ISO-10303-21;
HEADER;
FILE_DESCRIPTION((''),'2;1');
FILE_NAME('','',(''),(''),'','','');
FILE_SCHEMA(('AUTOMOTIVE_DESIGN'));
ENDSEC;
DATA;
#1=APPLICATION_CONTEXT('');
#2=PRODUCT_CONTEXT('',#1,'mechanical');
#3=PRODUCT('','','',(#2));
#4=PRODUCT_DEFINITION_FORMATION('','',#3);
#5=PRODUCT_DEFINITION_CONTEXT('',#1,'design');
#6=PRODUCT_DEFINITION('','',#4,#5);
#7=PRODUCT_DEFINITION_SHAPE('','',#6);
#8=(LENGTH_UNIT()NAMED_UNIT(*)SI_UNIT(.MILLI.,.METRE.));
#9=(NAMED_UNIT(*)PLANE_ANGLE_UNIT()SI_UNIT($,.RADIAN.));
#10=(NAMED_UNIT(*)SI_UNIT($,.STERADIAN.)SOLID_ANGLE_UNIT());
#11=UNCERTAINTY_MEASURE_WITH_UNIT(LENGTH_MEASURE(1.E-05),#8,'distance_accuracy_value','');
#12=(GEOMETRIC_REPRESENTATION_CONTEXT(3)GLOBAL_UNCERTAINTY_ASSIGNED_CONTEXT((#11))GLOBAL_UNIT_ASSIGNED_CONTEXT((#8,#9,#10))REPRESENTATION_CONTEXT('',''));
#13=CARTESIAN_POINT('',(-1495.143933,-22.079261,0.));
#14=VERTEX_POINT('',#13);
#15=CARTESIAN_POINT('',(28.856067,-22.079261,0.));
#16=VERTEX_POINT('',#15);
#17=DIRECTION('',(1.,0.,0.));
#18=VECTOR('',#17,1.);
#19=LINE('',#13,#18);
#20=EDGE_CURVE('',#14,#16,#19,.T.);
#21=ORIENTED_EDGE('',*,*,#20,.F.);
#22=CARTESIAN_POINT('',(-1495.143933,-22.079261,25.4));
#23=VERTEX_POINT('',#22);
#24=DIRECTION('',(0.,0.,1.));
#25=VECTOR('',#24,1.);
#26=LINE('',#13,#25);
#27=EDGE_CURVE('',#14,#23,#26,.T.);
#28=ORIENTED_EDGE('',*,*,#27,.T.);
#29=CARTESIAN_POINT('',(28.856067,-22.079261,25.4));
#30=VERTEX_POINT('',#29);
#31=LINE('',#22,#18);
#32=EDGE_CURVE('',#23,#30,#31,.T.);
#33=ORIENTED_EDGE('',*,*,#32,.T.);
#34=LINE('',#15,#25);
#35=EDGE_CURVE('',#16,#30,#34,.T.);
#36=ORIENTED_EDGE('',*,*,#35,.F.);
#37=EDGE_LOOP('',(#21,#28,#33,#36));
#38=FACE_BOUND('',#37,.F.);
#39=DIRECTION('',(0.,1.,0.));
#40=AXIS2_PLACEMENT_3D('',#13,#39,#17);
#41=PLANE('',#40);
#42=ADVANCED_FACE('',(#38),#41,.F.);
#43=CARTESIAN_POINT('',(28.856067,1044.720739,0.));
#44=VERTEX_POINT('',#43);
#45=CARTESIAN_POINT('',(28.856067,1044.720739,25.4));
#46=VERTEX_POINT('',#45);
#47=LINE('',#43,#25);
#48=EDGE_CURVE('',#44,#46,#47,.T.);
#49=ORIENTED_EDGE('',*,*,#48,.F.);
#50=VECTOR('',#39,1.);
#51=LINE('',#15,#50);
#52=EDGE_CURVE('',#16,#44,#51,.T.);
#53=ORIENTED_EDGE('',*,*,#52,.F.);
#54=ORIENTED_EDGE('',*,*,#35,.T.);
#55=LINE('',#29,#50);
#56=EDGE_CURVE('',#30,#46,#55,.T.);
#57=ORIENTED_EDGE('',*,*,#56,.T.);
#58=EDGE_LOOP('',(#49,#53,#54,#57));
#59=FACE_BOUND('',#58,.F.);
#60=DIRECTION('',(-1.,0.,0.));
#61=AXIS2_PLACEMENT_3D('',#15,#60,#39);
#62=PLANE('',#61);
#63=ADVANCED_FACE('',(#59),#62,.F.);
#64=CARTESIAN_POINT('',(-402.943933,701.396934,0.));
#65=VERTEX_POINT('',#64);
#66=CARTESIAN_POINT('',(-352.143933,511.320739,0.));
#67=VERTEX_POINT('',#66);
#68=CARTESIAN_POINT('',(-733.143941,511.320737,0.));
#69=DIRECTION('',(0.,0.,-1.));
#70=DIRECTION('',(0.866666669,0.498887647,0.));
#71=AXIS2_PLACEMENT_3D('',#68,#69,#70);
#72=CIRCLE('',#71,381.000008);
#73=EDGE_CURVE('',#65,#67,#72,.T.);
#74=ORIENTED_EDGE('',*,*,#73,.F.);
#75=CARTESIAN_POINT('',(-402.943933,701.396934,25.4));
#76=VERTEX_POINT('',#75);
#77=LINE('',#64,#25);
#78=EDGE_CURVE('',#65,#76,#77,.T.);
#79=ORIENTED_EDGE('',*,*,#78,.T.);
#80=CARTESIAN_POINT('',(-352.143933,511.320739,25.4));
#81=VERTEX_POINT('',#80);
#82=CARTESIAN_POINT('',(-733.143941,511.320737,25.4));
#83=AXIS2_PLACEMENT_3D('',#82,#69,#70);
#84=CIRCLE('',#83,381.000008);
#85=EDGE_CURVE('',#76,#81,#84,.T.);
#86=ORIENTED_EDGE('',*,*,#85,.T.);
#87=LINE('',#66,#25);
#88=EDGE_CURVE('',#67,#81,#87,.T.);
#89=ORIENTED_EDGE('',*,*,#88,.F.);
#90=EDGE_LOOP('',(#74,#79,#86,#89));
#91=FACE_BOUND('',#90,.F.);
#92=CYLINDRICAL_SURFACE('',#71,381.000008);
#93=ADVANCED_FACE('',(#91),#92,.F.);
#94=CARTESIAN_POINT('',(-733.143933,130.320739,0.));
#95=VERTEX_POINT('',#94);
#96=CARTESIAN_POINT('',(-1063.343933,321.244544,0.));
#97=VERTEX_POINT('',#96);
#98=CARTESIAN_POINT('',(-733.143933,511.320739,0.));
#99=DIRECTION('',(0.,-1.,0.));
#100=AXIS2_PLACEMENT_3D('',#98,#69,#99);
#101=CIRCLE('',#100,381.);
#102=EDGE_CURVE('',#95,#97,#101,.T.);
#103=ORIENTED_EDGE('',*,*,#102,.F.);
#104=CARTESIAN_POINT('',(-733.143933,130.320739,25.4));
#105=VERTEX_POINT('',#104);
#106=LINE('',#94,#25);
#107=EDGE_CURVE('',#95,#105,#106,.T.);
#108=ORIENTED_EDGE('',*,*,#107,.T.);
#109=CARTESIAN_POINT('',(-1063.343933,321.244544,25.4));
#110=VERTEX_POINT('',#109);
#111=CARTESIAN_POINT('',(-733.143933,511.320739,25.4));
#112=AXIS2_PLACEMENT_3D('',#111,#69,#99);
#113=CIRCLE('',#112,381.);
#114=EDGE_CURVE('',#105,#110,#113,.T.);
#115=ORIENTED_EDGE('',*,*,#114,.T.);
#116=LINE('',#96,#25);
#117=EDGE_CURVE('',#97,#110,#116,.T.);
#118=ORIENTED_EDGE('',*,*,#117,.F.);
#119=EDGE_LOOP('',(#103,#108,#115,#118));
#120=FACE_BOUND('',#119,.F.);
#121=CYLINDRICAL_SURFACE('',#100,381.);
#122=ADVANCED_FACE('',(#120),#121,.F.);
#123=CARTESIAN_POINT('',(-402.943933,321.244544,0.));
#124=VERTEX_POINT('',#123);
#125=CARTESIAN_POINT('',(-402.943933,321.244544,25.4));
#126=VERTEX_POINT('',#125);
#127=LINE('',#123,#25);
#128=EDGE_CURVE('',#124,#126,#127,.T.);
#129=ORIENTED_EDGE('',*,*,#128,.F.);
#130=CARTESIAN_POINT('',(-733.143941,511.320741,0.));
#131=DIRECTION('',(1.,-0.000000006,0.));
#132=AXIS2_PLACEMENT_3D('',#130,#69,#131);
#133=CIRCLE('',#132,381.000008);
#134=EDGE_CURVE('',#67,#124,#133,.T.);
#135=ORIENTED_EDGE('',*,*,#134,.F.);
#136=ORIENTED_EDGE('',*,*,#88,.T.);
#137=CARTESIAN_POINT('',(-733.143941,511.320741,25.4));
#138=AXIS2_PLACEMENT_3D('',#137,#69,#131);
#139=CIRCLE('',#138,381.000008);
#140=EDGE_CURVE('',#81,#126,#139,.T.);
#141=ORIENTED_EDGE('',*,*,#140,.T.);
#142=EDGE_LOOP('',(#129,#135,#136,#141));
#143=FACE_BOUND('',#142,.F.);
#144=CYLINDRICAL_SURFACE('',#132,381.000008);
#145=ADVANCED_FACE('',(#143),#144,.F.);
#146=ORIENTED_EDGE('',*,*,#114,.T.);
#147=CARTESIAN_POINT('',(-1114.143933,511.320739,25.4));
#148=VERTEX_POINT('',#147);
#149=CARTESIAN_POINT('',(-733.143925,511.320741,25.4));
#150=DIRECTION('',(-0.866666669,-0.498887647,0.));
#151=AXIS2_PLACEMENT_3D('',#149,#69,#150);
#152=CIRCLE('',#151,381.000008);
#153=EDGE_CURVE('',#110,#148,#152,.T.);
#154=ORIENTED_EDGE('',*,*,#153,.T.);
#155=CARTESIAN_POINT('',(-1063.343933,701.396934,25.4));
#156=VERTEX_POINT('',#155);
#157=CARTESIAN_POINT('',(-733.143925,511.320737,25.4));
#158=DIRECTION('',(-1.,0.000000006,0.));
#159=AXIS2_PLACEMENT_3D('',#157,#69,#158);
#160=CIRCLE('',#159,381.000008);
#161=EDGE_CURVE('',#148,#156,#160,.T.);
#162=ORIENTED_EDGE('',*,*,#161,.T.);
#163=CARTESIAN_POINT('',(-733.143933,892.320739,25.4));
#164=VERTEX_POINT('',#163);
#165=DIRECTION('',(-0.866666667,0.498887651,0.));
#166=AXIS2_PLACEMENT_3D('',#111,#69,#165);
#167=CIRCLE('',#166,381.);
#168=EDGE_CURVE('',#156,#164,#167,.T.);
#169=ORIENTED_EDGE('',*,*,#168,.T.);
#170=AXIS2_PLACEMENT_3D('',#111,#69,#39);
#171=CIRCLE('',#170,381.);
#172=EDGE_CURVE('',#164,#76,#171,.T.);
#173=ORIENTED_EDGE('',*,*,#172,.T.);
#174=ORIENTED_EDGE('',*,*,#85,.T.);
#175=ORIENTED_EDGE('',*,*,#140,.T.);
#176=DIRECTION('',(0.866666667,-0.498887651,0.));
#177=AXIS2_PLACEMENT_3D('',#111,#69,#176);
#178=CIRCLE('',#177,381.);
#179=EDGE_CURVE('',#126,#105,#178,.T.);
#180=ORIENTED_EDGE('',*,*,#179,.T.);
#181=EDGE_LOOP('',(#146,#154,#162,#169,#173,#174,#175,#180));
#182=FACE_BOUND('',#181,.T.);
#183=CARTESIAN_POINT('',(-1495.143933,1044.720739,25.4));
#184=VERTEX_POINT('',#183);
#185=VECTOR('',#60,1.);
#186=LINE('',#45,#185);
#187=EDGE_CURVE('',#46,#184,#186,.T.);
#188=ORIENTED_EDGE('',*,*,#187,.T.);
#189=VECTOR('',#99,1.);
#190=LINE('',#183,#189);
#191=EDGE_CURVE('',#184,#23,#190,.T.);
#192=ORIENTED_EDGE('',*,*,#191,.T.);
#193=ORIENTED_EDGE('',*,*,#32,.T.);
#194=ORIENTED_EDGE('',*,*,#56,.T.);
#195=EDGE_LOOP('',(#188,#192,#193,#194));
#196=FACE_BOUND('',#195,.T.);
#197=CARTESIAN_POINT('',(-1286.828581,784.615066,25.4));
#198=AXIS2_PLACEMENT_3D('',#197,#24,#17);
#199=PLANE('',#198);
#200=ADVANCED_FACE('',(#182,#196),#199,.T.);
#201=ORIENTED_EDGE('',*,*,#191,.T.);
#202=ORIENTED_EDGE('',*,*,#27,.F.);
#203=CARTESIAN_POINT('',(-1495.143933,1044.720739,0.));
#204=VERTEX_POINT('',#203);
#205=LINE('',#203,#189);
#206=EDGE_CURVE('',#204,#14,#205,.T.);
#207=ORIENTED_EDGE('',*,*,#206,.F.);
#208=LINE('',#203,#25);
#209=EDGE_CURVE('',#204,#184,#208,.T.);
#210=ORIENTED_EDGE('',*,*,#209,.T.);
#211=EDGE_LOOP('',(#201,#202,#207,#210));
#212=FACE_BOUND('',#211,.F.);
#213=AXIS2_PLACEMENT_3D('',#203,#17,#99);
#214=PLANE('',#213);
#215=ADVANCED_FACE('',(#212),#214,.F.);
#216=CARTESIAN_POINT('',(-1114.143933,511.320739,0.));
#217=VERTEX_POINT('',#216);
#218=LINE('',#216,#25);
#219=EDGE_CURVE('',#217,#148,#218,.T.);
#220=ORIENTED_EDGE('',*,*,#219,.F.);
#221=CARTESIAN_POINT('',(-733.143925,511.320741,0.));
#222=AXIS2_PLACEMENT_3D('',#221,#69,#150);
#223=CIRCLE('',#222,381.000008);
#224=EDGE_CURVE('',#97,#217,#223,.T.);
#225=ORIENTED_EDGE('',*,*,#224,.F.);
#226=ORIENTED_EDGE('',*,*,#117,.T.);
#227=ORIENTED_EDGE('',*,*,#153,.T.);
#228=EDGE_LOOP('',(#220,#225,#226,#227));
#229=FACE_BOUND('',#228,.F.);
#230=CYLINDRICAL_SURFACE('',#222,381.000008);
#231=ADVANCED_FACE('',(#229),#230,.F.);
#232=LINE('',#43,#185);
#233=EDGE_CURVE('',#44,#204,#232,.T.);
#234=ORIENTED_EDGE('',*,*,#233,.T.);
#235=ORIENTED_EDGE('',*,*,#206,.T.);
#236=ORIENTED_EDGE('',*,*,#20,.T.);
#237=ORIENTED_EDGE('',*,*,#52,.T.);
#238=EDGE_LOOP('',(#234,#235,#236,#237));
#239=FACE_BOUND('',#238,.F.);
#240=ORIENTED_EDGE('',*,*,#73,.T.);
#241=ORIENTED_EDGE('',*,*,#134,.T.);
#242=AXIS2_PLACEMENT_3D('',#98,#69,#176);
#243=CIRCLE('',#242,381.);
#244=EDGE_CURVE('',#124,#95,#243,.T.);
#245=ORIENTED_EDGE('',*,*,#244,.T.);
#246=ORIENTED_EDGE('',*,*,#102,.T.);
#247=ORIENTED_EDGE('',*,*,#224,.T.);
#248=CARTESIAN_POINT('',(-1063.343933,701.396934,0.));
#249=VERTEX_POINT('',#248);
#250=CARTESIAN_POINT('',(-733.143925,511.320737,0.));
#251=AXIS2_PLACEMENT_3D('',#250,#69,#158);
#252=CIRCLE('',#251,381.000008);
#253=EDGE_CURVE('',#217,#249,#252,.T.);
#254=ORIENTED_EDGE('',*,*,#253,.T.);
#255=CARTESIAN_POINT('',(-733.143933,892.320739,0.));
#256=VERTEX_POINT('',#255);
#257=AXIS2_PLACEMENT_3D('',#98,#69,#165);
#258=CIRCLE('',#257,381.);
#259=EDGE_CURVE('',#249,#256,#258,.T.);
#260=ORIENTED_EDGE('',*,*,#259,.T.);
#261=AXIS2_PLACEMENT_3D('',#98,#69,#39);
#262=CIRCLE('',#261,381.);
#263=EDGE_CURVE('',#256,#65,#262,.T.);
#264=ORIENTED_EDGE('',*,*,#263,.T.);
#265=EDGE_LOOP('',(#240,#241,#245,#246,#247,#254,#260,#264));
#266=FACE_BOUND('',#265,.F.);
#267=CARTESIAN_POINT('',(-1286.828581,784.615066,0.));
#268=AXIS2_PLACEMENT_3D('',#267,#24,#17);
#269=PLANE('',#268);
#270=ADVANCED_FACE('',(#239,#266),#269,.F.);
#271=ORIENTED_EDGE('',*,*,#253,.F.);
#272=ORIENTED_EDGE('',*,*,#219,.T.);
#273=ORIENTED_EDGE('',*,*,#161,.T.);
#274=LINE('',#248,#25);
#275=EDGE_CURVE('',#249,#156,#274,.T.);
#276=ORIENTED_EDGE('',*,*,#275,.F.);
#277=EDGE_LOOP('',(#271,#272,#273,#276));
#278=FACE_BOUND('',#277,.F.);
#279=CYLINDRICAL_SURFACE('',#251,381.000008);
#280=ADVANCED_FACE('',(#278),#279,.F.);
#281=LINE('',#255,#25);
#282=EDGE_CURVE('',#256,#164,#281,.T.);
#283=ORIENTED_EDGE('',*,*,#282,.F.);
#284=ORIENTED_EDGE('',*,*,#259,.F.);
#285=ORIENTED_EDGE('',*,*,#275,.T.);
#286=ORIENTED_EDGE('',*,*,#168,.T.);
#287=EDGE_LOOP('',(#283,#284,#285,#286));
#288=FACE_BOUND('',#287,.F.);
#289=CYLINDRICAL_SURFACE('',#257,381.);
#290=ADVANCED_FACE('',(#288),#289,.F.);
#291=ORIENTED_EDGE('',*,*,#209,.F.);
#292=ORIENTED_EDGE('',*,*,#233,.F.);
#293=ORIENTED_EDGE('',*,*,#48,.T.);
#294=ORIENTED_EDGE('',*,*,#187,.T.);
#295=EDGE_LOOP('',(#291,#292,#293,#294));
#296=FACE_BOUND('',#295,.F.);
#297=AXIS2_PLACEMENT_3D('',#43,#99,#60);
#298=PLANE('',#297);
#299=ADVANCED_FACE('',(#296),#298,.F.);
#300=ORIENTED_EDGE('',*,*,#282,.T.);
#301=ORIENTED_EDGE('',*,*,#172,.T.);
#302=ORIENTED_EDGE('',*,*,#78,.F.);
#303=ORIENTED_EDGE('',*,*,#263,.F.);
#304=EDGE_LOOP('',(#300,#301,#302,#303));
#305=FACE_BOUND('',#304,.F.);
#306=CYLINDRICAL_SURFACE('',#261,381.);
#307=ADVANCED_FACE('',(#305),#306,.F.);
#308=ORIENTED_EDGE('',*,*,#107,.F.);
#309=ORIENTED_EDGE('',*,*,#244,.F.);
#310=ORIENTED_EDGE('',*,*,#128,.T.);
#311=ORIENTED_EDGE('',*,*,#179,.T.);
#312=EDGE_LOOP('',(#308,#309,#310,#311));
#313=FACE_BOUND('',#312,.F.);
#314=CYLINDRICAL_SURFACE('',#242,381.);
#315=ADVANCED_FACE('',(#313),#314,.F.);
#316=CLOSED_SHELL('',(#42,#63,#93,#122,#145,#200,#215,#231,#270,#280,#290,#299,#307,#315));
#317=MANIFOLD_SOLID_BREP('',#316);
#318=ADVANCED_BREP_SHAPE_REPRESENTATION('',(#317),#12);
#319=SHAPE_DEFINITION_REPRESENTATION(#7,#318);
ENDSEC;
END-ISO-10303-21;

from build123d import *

# Parameters (mm, degrees)
F1_DEPTH = 25.4


with BuildPart() as f1:
    # F0 (on Top) → F1 (new body)
    with BuildSketch(Plane.XY):
        with BuildLine():
            Line((-1063.343933, 1044.720739), (-1495.143933, 1044.720739))
            Line((-1495.143933, 1044.720739), (-1495.143933, 511.320739))
            Line((-1495.143933, 511.320739), (-1114.143933, 511.320739))
            ThreePointArc((-1114.143933, 511.320739), (-1101.224902, 609.694516), (-1063.343933, 701.396934))
            Line((-1063.343933, 701.396934), (-1063.343933, 1044.720739))
        make_face()
        with BuildLine():
            Line((-733.143933, 1044.720739), (-1063.343933, 1044.720739))
            Line((-1063.343933, 1044.720739), (-1063.343933, 701.396934))
            ThreePointArc((-1063.343933, 701.396934), (-923.855718, 841.154053), (-733.143933, 892.320739))
            Line((-733.143933, 892.320739), (-733.143933, 1044.720739))
        make_face()
        with BuildLine():
            Line((-1114.143933, 511.320739), (-1495.143933, 511.320739))
            Line((-1495.143933, 511.320739), (-1495.143933, -22.079261))
            Line((-1495.143933, -22.079261), (-1063.343933, -22.079261))
            Line((-1063.343933, -22.079261), (-1063.343933, 321.244544))
            ThreePointArc((-1063.343933, 321.244544), (-1101.224902, 412.946962), (-1114.143933, 511.320739))
        make_face()
        with BuildLine():
            Line((-402.943933, 1044.720739), (-733.143933, 1044.720739))
            Line((-733.143933, 1044.720739), (-733.143933, 892.320739))
            ThreePointArc((-733.143933, 892.320739), (-542.432148, 841.154053), (-402.943933, 701.396934))
            Line((-402.943933, 701.396934), (-402.943933, 1044.720739))
        make_face()
        with BuildLine():
            Line((28.856067, 1044.720739), (-402.943933, 1044.720739))
            Line((-402.943933, 1044.720739), (-402.943933, 701.396934))
            ThreePointArc((-402.943933, 701.396934), (-365.062964, 609.694516), (-352.143933, 511.320739))
            Line((-352.143933, 511.320739), (28.856067, 511.320739))
            Line((28.856067, 511.320739), (28.856067, 1044.720739))
        make_face()
        with BuildLine():
            Line((-1063.343933, 321.244544), (-1063.343933, -22.079261))
            Line((-1063.343933, -22.079261), (-733.143933, -22.079261))
            Line((-733.143933, -22.079261), (-733.143933, 130.320739))
            ThreePointArc((-733.143933, 130.320739), (-923.855718, 181.487425), (-1063.343933, 321.244544))
        make_face()
        with BuildLine():
            Line((-733.143933, 130.320739), (-733.143933, -22.079261))
            Line((-733.143933, -22.079261), (-402.943933, -22.079261))
            Line((-402.943933, -22.079261), (-402.943933, 321.244544))
            ThreePointArc((-402.943933, 321.244544), (-542.432148, 181.487425), (-733.143933, 130.320739))
        make_face()
        with BuildLine():
            Line((28.856067, -22.079261), (28.856067, 511.320739))
            Line((28.856067, 511.320739), (-352.143933, 511.320739))
            ThreePointArc((-352.143933, 511.320739), (-365.062964, 412.946962), (-402.943933, 321.244544))
            Line((-402.943933, 321.244544), (-402.943933, -22.079261))
            Line((-402.943933, -22.079261), (28.856067, -22.079261))
        make_face()
    extrude(amount=F1_DEPTH)


solid = f1.part
